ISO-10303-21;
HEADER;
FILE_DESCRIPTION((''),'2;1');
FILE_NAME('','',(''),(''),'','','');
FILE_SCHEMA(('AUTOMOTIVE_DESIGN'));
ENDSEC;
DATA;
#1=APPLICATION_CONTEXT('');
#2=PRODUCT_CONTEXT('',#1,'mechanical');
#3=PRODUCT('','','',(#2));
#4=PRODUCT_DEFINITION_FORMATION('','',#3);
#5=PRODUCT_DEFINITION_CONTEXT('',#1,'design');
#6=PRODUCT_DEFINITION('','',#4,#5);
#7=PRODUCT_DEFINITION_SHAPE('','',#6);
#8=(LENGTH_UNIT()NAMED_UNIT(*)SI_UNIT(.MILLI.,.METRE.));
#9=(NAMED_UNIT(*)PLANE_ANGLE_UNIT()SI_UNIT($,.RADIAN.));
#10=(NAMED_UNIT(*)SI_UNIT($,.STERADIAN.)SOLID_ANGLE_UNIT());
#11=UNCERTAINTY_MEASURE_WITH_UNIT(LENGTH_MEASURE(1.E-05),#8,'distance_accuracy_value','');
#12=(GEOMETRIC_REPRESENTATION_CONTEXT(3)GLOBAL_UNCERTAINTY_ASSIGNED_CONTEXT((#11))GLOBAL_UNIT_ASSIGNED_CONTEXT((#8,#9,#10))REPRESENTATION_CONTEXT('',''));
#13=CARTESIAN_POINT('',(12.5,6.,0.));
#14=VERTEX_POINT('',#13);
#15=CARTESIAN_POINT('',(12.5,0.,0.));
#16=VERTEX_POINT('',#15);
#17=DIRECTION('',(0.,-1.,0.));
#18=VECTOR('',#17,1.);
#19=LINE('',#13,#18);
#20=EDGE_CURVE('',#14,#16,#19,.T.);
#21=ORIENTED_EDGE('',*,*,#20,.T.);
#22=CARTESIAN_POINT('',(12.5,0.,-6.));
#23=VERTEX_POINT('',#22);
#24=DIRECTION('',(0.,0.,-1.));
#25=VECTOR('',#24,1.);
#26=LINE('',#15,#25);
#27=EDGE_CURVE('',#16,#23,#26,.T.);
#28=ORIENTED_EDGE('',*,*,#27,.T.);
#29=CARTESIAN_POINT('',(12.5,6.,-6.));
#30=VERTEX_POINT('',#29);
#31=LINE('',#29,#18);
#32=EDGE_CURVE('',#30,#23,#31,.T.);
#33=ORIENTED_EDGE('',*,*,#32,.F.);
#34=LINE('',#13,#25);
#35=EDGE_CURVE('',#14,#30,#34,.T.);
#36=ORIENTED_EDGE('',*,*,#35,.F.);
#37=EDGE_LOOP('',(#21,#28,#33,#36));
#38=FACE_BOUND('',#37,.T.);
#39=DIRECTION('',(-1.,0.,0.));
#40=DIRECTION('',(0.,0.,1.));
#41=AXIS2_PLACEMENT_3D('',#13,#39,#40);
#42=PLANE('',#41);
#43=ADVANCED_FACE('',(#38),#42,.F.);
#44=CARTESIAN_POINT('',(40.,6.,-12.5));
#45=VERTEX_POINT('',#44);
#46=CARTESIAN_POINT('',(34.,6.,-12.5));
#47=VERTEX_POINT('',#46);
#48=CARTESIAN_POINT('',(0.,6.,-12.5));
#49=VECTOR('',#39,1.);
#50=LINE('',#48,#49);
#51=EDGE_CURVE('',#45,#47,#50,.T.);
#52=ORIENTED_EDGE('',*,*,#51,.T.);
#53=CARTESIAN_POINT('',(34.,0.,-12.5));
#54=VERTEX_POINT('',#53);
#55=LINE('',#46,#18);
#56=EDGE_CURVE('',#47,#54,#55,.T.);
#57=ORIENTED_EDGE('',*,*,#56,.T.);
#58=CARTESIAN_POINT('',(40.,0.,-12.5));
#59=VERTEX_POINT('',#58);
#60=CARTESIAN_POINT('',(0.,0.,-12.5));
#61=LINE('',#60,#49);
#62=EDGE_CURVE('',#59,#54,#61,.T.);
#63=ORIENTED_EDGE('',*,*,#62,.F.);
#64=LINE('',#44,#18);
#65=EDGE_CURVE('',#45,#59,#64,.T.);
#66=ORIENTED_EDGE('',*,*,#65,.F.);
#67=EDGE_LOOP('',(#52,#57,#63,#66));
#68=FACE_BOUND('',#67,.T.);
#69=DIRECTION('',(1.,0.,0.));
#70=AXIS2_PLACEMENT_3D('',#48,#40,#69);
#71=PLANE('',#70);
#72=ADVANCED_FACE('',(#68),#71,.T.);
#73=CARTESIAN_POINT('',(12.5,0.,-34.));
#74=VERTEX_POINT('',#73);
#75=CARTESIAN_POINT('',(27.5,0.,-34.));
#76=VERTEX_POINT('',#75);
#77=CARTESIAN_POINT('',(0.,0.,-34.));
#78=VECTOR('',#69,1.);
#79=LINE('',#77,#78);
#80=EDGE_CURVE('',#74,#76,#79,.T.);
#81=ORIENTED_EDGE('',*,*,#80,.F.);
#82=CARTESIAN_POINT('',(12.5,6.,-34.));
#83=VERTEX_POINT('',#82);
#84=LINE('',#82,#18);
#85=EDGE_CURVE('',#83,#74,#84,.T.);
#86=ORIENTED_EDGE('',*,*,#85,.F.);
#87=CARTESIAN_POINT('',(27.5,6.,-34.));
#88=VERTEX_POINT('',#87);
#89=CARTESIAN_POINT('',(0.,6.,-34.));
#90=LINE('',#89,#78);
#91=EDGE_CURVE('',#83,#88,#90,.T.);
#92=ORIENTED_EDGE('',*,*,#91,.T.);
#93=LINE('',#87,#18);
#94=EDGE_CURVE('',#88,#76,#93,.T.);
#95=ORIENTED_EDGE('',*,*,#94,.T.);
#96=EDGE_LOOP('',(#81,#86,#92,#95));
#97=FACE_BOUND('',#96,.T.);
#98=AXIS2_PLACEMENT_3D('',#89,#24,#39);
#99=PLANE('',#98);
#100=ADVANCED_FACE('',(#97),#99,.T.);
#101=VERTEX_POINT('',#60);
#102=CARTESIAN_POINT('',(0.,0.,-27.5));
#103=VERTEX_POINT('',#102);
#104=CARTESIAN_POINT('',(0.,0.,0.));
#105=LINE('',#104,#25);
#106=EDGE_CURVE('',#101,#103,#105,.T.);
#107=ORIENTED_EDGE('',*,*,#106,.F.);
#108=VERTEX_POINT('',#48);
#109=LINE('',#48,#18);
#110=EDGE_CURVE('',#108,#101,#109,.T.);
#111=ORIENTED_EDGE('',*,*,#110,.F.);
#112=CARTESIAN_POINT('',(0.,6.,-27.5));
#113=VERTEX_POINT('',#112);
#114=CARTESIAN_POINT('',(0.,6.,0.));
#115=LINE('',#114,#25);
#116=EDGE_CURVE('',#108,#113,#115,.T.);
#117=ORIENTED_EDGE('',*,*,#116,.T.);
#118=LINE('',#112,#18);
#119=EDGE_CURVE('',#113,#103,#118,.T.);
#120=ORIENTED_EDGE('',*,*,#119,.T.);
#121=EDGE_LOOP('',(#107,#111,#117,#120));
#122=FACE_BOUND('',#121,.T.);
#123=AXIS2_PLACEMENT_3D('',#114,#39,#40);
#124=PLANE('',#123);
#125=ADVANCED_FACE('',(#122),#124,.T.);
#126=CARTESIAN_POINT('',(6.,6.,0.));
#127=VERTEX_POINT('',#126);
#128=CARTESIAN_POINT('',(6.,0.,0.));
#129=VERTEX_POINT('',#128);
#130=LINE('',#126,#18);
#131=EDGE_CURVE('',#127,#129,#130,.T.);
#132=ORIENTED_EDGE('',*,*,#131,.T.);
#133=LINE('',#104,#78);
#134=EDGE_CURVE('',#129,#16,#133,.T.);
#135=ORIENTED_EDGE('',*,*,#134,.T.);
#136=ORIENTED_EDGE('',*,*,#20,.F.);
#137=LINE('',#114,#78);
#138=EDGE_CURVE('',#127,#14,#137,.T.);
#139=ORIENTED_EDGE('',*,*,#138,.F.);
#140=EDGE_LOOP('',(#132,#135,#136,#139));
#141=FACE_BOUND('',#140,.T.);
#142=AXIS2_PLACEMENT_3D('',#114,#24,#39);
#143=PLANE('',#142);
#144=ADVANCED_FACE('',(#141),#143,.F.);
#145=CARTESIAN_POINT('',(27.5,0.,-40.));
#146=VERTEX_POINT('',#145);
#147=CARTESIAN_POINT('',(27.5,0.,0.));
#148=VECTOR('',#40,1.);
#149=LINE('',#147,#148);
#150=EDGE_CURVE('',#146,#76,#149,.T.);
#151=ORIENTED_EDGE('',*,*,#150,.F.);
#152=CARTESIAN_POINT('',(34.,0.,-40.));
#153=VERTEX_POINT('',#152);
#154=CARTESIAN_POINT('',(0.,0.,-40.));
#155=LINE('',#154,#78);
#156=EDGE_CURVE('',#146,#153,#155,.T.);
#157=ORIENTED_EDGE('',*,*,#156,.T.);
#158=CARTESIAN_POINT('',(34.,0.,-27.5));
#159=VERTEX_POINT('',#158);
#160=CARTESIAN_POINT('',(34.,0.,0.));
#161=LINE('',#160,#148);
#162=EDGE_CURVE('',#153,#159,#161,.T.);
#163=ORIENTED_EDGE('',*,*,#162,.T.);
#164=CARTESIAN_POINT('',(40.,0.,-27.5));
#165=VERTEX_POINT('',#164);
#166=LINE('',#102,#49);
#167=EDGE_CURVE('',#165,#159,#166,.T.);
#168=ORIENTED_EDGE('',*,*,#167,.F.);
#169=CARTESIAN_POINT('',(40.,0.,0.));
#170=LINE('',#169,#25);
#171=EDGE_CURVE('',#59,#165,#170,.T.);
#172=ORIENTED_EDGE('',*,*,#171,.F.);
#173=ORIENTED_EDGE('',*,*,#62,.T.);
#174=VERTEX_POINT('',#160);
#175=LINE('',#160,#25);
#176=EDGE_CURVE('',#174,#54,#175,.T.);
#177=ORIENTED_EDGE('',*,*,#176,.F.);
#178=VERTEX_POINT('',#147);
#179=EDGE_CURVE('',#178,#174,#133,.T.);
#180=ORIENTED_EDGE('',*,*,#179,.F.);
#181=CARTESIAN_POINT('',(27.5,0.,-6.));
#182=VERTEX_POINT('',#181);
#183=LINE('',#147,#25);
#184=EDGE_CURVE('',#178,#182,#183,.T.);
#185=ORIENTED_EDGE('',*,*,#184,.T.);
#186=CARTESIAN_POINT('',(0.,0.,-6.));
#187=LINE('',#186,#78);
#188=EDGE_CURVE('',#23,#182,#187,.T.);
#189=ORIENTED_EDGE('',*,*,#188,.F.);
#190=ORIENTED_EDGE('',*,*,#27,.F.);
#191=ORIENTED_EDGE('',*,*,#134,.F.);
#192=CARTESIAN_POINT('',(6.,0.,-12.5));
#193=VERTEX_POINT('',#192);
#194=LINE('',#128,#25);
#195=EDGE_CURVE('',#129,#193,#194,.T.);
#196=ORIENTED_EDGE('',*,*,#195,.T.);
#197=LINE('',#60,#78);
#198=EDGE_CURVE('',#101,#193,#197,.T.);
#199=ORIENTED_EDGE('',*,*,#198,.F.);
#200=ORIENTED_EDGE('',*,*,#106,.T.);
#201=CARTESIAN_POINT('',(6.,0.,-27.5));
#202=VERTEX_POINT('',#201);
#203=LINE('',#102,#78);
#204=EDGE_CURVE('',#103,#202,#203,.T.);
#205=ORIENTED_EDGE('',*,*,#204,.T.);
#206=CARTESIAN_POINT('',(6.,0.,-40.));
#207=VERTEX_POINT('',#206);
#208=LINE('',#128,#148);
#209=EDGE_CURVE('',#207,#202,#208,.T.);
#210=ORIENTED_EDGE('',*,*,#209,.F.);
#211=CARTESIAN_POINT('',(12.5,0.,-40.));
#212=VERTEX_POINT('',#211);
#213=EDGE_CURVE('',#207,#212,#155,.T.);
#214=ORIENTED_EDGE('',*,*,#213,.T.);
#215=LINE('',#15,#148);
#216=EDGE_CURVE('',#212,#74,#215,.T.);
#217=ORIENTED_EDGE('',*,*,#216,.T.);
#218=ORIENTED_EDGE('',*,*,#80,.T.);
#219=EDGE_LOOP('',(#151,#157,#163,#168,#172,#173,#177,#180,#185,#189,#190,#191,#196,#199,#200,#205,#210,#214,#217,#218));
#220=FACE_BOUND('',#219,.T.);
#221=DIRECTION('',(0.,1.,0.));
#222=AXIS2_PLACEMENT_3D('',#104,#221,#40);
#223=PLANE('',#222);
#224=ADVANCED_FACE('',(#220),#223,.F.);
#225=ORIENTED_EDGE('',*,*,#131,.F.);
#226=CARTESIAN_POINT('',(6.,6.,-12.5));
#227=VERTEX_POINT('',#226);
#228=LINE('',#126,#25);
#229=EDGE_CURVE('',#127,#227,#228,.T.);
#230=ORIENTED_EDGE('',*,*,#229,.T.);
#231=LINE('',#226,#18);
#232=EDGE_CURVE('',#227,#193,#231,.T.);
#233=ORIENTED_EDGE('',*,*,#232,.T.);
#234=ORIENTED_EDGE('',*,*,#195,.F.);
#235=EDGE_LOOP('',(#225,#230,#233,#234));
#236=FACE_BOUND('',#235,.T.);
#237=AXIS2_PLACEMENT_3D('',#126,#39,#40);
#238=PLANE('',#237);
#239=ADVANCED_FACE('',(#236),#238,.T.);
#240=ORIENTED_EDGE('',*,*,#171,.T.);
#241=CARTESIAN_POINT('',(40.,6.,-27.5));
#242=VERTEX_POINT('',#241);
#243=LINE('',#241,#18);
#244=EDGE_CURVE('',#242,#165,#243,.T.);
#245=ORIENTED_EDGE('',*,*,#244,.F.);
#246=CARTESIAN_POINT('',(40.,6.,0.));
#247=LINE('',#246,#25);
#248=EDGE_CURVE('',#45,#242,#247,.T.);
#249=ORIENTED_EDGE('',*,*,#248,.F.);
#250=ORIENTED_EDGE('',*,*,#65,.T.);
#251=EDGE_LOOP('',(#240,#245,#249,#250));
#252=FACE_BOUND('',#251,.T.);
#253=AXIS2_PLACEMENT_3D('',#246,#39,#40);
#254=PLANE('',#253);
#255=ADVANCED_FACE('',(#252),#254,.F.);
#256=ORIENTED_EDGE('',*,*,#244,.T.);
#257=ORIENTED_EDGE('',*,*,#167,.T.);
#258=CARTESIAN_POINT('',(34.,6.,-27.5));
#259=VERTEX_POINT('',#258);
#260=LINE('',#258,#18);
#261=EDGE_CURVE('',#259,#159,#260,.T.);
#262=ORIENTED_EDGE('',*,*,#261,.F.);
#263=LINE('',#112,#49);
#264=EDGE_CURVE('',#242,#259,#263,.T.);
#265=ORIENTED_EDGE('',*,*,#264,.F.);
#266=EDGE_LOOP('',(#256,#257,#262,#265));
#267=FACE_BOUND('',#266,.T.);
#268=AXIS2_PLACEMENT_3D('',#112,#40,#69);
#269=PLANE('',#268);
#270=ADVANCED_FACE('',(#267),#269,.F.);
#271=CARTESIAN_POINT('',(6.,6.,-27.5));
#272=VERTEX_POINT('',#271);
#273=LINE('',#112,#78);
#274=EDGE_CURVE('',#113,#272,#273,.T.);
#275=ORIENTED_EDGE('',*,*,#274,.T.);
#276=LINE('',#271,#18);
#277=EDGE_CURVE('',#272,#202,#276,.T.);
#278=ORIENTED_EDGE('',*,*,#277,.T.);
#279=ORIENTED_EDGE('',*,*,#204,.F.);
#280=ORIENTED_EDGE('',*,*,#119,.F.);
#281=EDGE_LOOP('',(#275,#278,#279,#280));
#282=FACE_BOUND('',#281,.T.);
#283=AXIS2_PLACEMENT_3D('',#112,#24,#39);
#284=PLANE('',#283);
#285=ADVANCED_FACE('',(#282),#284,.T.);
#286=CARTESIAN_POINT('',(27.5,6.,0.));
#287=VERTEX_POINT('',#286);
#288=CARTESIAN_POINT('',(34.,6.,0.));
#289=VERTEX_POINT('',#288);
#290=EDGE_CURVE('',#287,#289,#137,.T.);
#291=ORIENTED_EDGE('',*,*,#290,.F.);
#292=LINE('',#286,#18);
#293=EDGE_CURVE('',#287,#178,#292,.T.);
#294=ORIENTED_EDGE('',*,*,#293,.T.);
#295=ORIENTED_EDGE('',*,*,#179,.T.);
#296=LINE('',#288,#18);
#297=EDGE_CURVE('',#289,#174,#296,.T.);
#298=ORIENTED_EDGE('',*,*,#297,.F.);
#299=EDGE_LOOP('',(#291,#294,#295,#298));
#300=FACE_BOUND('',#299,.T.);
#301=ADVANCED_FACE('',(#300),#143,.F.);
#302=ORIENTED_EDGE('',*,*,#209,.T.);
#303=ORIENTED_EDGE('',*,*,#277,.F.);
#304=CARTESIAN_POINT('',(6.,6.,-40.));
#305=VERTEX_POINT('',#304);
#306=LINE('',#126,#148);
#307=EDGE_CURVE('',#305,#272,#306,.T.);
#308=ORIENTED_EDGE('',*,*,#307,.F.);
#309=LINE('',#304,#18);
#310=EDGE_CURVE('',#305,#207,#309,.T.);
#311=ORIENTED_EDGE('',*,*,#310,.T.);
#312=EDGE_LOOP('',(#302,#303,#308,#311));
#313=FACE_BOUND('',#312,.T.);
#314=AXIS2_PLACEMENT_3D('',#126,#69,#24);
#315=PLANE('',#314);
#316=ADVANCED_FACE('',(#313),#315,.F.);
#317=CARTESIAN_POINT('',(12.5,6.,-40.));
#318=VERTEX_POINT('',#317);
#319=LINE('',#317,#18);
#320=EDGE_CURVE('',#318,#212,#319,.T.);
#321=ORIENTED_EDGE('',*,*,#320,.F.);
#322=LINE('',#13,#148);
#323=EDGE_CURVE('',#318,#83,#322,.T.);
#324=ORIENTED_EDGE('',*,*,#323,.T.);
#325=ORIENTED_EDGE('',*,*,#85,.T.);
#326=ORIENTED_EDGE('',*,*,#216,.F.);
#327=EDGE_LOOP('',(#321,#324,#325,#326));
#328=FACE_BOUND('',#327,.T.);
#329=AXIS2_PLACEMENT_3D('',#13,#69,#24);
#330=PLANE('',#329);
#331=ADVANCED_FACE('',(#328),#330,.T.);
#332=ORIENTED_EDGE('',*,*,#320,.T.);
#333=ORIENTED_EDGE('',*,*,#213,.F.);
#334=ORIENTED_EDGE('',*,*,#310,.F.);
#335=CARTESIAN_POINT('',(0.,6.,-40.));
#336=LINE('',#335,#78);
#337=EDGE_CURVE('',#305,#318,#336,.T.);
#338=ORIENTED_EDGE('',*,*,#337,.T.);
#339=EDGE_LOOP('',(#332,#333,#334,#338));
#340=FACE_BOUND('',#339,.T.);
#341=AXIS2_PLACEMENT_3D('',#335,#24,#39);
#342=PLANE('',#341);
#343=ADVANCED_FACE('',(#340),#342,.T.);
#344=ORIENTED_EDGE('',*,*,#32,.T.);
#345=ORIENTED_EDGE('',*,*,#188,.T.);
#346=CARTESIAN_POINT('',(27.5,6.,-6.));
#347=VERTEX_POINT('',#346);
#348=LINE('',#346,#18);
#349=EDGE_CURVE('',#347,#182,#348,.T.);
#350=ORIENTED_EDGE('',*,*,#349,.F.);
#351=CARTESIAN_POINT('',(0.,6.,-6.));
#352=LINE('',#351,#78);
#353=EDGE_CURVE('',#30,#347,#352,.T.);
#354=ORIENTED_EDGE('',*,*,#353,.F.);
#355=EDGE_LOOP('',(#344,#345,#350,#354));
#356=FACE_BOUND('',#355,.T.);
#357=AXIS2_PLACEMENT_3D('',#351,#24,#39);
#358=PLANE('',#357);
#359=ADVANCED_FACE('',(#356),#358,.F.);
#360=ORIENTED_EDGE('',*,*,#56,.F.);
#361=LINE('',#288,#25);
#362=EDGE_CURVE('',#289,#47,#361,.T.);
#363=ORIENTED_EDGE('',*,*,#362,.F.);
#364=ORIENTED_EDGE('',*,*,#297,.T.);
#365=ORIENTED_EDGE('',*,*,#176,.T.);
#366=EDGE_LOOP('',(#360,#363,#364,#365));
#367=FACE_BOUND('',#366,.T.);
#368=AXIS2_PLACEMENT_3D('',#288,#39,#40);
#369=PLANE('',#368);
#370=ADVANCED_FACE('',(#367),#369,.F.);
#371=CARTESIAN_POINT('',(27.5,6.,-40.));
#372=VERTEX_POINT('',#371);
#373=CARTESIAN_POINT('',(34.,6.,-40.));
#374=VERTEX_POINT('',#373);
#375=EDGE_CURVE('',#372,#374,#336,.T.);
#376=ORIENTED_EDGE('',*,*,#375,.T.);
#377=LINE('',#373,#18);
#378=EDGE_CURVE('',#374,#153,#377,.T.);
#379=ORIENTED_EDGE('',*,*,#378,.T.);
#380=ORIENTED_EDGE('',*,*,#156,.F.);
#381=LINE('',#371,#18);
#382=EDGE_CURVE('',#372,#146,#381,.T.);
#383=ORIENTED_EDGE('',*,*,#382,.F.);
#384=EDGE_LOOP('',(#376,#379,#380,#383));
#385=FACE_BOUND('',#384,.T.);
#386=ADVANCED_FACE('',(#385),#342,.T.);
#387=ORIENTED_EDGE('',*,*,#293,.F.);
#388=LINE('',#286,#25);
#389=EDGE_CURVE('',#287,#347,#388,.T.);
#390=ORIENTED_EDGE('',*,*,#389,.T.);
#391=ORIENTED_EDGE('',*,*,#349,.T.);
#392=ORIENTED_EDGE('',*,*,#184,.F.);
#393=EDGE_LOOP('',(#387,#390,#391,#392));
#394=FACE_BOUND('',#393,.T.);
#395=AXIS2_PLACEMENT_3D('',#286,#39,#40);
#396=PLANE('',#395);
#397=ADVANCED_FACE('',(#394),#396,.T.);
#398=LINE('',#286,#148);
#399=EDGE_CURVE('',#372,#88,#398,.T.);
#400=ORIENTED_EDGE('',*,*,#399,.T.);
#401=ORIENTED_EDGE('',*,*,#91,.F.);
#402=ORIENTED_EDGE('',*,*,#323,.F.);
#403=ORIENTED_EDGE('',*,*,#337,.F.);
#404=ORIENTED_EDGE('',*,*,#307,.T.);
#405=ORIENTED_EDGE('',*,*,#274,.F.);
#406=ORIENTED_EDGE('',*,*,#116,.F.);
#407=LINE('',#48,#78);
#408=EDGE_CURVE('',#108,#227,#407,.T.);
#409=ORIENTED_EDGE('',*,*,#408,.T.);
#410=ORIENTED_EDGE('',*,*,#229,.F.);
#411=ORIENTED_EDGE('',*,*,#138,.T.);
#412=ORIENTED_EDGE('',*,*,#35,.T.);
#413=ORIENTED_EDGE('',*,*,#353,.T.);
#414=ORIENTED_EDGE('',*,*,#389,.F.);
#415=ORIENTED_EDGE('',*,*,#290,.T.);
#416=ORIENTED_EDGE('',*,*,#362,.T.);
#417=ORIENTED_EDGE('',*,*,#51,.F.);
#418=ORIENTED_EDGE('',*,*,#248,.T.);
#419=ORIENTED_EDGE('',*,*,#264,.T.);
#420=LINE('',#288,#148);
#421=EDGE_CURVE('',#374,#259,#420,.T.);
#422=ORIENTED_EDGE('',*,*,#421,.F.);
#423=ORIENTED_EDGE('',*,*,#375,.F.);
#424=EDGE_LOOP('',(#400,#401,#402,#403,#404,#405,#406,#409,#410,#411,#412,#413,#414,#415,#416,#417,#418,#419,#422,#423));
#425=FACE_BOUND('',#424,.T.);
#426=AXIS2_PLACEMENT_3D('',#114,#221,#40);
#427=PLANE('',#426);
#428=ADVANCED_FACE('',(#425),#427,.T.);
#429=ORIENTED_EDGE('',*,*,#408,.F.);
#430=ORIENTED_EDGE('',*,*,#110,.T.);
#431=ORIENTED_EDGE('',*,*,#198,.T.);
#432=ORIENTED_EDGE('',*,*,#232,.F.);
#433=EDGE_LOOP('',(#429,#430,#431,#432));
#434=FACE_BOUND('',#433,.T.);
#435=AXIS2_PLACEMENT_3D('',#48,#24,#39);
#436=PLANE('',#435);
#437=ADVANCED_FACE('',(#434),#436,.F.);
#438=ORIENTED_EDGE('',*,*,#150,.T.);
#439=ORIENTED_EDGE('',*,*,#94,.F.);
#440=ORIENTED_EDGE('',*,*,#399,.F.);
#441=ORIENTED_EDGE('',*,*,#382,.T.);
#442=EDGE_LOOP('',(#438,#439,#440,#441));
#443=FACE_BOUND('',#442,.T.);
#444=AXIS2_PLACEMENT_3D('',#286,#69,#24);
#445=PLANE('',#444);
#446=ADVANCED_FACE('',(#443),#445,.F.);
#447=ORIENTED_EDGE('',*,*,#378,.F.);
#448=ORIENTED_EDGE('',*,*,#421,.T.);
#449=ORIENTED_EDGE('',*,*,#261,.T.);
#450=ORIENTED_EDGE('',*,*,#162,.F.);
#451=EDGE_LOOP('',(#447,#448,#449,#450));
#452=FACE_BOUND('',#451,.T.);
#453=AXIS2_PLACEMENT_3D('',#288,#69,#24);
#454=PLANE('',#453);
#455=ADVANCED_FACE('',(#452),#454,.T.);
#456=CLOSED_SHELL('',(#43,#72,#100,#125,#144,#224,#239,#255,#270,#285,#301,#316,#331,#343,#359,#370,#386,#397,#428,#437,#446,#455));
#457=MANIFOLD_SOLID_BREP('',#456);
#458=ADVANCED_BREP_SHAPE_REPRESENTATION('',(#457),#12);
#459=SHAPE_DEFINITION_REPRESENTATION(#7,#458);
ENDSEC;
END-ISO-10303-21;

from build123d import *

# Parameters (mm, degrees)
SALIENTE_EXTRUIR1_DEPTH = 6


with BuildPart() as part:
    # Croquis1 → Saliente-Extruir1 (new body)
    with BuildSketch(Plane(origin=(0, 0, 0), x_dir=(1, 0, 0), z_dir=(0, 1, 0))):
        Polygon((40, 12.5), (40, 27.5), (34, 27.5), (34, 40), (27.5, 40), (27.5, 34), (12.5, 34), (12.5, 40), (6, 40), (6, 27.5), (0, 27.5), (0, 12.5), (6, 12.5), (6, 0), (12.5, 0), (12.5, 6), (27.5, 6), (27.5, 0), (34, 0), (34, 12.5), align=None)
    extrude(amount=SALIENTE_EXTRUIR1_DEPTH)


solid = part.part
